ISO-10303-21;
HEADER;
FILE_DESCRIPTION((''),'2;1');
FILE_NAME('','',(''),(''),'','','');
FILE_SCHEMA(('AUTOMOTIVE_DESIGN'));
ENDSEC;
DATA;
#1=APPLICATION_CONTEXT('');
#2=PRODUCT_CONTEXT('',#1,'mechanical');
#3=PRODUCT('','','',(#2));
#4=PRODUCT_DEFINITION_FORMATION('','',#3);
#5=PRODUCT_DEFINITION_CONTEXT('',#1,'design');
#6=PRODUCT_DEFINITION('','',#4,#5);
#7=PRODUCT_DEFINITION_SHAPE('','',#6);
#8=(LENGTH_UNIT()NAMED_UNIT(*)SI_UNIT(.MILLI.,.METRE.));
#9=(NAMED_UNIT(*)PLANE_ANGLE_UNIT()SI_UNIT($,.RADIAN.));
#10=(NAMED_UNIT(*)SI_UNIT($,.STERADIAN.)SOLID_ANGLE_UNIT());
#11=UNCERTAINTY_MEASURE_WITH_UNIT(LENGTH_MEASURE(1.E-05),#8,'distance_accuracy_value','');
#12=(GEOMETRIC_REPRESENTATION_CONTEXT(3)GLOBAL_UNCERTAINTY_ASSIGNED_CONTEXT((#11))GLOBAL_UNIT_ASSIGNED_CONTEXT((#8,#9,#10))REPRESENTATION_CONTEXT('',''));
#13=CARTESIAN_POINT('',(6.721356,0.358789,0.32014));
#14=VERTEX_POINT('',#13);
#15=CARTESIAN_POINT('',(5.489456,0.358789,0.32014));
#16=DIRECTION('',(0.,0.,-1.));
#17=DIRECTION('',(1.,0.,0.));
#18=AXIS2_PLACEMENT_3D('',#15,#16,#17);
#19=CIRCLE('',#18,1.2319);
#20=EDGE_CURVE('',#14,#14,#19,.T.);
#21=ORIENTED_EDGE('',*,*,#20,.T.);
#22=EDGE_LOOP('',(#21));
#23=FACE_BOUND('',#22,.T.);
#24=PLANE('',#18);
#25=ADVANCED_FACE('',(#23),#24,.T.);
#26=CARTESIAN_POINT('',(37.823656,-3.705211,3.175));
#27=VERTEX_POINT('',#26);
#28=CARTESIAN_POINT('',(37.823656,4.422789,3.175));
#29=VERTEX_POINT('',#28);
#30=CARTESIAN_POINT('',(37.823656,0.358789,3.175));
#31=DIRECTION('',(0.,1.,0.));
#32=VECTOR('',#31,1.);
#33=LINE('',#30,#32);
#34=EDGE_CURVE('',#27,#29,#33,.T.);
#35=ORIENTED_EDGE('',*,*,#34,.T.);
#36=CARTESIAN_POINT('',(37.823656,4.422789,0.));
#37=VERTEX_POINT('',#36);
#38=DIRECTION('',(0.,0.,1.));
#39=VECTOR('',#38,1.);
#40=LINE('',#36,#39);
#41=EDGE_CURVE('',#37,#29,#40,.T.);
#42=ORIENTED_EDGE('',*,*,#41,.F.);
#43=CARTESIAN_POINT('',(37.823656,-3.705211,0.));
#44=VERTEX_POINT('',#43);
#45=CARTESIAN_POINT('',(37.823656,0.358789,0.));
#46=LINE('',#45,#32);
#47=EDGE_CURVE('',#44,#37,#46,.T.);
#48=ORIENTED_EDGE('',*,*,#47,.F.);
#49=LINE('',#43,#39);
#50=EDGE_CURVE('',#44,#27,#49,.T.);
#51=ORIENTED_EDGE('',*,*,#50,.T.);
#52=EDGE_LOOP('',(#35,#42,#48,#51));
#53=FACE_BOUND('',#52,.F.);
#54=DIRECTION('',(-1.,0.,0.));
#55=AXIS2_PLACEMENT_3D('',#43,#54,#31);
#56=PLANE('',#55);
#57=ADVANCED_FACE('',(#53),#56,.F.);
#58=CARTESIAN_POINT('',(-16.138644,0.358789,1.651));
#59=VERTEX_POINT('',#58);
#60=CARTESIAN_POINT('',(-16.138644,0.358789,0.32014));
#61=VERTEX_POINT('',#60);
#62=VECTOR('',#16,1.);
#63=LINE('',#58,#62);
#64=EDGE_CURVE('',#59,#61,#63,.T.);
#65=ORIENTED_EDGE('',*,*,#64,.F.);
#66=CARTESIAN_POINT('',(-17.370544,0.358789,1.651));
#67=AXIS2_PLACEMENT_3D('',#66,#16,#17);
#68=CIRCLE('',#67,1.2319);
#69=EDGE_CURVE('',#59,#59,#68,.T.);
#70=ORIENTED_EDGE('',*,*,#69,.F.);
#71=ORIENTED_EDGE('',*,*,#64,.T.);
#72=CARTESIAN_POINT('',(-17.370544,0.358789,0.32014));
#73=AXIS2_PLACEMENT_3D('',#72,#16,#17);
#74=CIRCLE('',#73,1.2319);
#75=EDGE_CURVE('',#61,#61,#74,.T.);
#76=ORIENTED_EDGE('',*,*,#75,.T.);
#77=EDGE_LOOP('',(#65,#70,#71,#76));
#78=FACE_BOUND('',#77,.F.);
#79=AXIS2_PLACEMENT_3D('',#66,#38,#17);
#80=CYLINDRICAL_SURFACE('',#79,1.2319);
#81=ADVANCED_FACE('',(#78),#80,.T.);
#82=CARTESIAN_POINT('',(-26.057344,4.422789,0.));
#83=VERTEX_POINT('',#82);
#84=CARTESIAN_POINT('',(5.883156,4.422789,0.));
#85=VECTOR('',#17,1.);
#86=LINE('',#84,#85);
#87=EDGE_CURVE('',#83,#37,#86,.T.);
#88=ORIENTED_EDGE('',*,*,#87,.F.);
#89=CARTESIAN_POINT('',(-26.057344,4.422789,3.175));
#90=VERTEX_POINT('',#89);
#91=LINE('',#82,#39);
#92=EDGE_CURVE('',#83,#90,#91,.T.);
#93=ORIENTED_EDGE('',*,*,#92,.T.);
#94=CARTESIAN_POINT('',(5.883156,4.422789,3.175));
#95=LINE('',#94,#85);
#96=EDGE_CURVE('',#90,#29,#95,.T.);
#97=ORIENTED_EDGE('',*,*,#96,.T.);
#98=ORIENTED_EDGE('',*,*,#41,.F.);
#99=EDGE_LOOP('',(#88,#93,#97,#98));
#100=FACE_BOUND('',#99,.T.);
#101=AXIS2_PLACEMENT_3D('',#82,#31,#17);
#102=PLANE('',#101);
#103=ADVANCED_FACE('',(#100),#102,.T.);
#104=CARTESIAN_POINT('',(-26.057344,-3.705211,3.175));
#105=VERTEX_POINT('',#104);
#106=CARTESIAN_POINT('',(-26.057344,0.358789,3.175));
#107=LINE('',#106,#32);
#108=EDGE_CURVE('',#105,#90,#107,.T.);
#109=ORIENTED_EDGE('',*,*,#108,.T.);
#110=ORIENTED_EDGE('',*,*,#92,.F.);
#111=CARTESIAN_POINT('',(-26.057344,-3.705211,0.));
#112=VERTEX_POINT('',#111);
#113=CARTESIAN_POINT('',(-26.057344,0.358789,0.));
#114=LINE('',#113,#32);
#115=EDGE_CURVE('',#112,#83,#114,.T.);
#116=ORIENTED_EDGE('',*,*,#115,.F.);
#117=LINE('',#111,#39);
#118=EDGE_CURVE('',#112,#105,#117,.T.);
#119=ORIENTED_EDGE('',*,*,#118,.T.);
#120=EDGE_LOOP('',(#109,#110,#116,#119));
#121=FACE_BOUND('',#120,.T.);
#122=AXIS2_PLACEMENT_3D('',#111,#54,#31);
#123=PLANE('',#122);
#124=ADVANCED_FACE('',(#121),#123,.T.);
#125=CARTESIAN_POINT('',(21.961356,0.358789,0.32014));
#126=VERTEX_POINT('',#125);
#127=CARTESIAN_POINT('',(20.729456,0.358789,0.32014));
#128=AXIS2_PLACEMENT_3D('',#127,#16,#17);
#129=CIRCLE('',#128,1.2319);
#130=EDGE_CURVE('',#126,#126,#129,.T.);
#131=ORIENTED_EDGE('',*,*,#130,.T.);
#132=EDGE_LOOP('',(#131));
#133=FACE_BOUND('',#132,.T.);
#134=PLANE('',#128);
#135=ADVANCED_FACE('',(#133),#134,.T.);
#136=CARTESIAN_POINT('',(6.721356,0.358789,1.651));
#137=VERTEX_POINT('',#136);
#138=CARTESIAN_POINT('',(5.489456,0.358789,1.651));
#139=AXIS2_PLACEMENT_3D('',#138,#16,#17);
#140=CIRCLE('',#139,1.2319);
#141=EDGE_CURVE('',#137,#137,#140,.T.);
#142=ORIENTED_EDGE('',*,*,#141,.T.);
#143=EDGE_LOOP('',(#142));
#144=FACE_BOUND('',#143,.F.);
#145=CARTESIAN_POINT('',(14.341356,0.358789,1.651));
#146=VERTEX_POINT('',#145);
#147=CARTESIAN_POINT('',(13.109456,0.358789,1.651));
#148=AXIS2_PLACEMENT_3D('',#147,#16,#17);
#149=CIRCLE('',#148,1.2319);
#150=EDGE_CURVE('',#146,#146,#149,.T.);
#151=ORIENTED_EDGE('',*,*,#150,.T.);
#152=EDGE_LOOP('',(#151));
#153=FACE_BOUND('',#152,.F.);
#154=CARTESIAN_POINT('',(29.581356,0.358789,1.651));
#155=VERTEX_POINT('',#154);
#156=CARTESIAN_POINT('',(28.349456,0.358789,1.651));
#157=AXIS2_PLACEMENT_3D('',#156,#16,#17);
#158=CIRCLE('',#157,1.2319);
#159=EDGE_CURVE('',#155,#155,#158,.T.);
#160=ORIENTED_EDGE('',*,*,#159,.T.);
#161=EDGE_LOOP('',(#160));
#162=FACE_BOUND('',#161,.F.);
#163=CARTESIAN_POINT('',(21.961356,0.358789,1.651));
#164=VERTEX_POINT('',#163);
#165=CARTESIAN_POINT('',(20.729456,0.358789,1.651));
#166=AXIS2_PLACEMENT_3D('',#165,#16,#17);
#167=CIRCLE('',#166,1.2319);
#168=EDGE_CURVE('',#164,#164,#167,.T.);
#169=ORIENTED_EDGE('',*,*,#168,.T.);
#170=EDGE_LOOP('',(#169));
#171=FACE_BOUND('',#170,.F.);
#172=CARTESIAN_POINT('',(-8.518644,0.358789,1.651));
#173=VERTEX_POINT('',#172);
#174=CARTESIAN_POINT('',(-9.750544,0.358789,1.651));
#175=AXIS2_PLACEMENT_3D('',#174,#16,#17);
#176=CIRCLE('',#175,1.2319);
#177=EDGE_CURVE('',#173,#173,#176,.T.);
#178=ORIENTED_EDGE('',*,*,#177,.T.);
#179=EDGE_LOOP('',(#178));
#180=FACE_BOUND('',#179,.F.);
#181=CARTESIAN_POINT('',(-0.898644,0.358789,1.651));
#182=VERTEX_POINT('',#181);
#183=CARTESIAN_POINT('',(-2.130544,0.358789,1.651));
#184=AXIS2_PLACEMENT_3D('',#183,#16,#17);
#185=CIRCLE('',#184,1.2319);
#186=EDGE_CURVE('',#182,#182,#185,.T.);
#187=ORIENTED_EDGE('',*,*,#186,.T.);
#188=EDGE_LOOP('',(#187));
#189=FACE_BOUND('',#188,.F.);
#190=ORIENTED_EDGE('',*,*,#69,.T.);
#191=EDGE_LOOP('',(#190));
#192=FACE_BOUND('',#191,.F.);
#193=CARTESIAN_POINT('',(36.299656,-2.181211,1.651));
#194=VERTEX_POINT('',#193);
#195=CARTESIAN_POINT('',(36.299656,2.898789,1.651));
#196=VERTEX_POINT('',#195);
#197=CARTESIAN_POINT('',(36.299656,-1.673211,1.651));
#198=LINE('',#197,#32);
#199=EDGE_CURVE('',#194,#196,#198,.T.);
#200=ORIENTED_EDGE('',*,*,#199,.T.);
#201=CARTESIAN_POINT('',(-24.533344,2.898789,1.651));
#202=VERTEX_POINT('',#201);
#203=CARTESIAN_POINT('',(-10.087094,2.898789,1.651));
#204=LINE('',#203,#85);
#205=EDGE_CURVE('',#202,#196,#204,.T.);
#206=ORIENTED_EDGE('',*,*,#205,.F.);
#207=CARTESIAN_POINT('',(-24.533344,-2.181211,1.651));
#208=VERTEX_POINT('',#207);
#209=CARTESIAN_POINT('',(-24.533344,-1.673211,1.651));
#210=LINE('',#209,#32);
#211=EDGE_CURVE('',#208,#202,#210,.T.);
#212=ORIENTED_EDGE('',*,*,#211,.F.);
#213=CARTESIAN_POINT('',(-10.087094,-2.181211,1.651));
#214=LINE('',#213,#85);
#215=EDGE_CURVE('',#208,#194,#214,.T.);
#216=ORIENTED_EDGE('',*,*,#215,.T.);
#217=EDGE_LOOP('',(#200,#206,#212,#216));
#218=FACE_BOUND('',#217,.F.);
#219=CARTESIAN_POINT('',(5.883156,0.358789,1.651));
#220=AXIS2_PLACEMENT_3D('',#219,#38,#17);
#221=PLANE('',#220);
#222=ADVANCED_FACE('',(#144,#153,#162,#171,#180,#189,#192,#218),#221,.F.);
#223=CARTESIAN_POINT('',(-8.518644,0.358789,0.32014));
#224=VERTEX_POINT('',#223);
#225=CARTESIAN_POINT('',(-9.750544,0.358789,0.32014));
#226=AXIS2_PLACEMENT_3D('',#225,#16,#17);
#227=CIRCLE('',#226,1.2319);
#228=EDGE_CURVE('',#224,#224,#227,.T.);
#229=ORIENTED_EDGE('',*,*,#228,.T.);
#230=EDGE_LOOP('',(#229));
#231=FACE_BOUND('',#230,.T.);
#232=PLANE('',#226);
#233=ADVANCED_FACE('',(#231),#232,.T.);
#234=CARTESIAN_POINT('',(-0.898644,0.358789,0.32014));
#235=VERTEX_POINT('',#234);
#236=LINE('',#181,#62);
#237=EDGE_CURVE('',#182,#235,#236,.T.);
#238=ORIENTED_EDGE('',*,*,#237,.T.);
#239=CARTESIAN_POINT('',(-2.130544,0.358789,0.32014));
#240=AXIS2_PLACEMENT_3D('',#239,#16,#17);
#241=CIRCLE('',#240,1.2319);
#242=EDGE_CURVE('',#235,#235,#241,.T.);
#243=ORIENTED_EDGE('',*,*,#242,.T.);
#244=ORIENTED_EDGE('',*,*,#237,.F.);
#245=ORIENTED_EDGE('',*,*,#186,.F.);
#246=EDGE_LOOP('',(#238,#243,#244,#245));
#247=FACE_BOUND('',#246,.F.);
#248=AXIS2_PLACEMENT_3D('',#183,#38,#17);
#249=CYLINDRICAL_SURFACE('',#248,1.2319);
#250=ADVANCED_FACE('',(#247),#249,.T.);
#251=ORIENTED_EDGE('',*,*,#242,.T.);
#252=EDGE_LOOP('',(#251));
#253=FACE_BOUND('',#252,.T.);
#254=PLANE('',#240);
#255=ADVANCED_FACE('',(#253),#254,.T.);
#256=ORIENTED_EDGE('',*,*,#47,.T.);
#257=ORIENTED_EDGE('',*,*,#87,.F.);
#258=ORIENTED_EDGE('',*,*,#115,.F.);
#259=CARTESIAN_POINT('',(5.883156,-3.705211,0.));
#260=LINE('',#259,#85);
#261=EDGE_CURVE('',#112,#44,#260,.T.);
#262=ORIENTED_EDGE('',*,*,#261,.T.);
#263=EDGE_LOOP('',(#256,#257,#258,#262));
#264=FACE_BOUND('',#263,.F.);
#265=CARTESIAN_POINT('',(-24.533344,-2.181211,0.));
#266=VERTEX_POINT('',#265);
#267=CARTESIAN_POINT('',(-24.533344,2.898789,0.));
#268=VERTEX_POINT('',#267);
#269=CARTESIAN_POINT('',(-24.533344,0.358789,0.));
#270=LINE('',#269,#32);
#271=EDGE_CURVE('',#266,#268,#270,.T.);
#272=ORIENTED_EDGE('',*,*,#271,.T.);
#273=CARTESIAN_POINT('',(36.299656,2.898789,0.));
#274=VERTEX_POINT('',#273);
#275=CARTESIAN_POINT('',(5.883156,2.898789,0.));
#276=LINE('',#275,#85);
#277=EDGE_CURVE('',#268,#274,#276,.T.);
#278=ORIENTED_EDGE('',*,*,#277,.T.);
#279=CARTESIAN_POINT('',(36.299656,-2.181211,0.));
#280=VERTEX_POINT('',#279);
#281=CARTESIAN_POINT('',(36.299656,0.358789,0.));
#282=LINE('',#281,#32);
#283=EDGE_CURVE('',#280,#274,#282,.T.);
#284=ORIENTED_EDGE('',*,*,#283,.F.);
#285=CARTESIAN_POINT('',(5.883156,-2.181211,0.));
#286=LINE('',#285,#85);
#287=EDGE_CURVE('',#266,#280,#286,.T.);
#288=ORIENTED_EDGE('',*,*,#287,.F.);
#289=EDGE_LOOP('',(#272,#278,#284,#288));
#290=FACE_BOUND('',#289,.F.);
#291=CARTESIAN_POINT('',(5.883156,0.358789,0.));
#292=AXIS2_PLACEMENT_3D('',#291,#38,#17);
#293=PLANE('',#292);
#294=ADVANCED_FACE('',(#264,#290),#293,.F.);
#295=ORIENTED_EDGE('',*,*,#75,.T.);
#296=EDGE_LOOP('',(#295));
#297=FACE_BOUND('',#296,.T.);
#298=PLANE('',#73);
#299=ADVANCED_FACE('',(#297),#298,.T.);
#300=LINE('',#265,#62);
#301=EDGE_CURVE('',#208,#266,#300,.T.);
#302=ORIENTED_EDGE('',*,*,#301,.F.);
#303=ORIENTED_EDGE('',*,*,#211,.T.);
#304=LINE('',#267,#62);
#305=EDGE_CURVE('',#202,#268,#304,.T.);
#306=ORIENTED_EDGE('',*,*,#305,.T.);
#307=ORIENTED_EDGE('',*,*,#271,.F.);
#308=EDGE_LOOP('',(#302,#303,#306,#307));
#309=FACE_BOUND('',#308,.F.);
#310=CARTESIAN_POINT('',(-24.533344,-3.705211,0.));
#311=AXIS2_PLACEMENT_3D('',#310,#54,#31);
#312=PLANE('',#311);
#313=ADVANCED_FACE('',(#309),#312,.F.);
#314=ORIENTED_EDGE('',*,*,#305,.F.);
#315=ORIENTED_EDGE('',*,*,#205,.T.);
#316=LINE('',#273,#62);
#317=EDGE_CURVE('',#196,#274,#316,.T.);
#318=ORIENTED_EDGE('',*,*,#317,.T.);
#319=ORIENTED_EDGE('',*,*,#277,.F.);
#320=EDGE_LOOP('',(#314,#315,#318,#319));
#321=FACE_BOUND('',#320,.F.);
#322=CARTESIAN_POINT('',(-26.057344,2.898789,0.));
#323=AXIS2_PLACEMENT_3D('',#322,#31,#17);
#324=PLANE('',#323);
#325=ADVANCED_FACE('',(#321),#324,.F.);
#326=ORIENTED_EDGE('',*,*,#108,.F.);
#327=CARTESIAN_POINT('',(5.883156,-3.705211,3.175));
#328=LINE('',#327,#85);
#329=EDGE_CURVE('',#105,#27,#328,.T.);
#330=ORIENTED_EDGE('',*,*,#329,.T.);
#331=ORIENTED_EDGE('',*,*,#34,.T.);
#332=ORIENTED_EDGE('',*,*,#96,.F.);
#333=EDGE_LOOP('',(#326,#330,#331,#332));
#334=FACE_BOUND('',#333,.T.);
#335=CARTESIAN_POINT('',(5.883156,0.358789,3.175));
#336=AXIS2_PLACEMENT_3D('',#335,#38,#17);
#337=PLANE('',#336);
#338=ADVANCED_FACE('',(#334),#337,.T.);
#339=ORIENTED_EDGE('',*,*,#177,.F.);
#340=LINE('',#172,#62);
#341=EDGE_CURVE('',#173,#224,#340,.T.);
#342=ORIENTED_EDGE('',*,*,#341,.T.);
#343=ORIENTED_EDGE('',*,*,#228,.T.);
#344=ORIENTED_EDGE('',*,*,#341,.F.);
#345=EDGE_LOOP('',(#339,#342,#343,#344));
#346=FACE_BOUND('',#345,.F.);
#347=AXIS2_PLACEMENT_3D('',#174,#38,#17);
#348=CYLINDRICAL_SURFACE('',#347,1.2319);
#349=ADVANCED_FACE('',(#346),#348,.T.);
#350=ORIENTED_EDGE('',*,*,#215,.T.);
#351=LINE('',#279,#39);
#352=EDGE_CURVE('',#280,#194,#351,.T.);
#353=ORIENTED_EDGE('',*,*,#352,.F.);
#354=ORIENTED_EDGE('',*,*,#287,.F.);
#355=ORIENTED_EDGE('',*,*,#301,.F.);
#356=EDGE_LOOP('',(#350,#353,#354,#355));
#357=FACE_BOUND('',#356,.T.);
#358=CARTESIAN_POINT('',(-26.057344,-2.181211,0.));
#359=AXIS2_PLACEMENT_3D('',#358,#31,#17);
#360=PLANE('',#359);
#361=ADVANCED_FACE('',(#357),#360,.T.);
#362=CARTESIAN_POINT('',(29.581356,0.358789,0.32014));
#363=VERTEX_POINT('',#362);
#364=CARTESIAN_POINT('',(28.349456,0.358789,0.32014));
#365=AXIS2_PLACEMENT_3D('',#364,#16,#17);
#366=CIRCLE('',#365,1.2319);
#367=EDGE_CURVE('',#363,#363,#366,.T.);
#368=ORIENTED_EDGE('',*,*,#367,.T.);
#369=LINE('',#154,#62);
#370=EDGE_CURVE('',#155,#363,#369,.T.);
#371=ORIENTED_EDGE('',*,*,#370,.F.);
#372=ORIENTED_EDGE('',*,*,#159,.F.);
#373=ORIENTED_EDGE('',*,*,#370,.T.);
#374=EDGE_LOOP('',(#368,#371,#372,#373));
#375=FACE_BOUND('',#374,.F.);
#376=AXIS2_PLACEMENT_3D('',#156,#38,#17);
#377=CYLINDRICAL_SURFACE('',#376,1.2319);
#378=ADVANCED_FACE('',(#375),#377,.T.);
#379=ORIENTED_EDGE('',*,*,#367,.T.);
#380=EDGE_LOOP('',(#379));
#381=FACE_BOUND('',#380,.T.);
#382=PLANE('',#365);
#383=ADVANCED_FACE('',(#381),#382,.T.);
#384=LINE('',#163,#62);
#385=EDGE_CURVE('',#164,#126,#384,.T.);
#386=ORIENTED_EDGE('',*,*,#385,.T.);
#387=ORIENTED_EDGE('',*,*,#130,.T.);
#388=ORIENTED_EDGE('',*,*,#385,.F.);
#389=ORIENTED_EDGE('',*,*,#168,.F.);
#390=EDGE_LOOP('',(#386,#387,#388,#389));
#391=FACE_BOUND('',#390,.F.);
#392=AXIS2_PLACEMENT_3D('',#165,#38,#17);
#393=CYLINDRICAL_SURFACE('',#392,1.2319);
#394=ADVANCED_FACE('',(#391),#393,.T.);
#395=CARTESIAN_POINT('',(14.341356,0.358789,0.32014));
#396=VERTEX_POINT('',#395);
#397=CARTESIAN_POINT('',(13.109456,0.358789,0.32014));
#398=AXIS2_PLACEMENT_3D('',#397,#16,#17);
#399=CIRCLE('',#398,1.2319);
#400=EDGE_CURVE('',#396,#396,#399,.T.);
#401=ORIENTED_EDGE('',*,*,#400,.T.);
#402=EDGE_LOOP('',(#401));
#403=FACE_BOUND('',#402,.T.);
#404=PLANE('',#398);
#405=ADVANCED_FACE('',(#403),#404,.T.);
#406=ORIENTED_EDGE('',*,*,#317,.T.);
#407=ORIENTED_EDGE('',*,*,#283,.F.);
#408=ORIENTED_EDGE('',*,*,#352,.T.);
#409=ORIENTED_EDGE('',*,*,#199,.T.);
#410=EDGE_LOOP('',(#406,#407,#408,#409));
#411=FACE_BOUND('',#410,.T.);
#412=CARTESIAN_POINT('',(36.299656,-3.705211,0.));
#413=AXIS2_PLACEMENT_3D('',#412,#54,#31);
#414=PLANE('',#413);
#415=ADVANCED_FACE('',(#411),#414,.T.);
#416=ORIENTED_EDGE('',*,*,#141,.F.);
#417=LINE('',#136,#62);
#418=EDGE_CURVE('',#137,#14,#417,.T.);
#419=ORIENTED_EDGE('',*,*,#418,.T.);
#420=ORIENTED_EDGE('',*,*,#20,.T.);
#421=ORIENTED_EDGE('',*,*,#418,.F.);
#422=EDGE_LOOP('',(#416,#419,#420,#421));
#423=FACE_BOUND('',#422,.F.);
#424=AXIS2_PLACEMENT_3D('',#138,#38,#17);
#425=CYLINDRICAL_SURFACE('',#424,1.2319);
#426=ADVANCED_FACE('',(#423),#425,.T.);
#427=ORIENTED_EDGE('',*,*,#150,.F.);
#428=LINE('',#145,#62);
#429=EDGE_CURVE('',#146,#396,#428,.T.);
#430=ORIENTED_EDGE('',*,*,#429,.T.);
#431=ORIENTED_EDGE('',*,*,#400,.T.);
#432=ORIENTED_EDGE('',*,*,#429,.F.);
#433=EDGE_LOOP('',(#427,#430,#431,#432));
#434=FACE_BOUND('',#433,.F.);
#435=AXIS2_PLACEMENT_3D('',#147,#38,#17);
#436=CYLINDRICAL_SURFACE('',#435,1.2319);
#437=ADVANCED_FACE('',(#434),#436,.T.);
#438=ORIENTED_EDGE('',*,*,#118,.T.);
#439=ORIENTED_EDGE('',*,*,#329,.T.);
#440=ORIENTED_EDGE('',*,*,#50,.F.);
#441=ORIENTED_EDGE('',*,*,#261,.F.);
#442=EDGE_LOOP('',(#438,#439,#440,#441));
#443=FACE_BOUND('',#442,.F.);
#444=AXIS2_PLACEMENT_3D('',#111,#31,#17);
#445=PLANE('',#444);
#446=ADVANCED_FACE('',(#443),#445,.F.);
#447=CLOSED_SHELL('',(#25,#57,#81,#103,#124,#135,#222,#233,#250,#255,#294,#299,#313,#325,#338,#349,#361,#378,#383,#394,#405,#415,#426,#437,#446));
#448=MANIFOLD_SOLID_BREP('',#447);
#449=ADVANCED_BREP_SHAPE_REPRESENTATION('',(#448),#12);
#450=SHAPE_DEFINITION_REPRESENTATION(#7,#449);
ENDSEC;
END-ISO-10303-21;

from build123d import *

# Parameters (mm, degrees)
F0_W     = 63.881
F0_H     = 8.128
F1_DEPTH = 3.175
F2_T     = -1.524
F3_R     = 1.2319
F4_DEPTH = 1.33086


with BuildPart() as f1:
    # F0 (on Top) → F1 (new body)
    with BuildSketch(Plane.XY):
        with Locations((5.883156, 0.358789)):
            Rectangle(F0_W, F0_H)
    extrude(amount=F1_DEPTH)

    # F2
    f2_openings = [f1.faces().sort_by_distance(p)[0] for p in [
        (5.883156, 0.358789, 0),
    ]]
    offset(amount=F2_T, openings=f2_openings)

    # F3 (on face) → F4 (join)
    with BuildSketch(Plane(origin=(0, 0, 1.651), x_dir=(1, 0, 0), z_dir=(0, 0, -1))):
        with Locations((28.349456, -0.358789)):
            Circle(F3_R)
        with Locations((20.729456, -0.358789)):
            Circle(F3_R)
        with Locations((13.109456, -0.358789)):
            Circle(F3_R)
        with Locations((5.489456, -0.358789)):
            Circle(F3_R)
        with Locations((-2.130544, -0.358789)):
            Circle(F3_R)
        with Locations((-9.750544, -0.358789)):
            Circle(F3_R)
        with BuildLine():
            ThreePointArc((-18.602444, -0.358789), (-17.370544, -1.590689), (-16.138644, -0.358789))
            ThreePointArc((-16.138644, -0.358789), (-17.370544, 0.873111), (-18.602444, -0.358789))
        make_face()
    extrude(amount=F4_DEPTH)


solid = f1.part
